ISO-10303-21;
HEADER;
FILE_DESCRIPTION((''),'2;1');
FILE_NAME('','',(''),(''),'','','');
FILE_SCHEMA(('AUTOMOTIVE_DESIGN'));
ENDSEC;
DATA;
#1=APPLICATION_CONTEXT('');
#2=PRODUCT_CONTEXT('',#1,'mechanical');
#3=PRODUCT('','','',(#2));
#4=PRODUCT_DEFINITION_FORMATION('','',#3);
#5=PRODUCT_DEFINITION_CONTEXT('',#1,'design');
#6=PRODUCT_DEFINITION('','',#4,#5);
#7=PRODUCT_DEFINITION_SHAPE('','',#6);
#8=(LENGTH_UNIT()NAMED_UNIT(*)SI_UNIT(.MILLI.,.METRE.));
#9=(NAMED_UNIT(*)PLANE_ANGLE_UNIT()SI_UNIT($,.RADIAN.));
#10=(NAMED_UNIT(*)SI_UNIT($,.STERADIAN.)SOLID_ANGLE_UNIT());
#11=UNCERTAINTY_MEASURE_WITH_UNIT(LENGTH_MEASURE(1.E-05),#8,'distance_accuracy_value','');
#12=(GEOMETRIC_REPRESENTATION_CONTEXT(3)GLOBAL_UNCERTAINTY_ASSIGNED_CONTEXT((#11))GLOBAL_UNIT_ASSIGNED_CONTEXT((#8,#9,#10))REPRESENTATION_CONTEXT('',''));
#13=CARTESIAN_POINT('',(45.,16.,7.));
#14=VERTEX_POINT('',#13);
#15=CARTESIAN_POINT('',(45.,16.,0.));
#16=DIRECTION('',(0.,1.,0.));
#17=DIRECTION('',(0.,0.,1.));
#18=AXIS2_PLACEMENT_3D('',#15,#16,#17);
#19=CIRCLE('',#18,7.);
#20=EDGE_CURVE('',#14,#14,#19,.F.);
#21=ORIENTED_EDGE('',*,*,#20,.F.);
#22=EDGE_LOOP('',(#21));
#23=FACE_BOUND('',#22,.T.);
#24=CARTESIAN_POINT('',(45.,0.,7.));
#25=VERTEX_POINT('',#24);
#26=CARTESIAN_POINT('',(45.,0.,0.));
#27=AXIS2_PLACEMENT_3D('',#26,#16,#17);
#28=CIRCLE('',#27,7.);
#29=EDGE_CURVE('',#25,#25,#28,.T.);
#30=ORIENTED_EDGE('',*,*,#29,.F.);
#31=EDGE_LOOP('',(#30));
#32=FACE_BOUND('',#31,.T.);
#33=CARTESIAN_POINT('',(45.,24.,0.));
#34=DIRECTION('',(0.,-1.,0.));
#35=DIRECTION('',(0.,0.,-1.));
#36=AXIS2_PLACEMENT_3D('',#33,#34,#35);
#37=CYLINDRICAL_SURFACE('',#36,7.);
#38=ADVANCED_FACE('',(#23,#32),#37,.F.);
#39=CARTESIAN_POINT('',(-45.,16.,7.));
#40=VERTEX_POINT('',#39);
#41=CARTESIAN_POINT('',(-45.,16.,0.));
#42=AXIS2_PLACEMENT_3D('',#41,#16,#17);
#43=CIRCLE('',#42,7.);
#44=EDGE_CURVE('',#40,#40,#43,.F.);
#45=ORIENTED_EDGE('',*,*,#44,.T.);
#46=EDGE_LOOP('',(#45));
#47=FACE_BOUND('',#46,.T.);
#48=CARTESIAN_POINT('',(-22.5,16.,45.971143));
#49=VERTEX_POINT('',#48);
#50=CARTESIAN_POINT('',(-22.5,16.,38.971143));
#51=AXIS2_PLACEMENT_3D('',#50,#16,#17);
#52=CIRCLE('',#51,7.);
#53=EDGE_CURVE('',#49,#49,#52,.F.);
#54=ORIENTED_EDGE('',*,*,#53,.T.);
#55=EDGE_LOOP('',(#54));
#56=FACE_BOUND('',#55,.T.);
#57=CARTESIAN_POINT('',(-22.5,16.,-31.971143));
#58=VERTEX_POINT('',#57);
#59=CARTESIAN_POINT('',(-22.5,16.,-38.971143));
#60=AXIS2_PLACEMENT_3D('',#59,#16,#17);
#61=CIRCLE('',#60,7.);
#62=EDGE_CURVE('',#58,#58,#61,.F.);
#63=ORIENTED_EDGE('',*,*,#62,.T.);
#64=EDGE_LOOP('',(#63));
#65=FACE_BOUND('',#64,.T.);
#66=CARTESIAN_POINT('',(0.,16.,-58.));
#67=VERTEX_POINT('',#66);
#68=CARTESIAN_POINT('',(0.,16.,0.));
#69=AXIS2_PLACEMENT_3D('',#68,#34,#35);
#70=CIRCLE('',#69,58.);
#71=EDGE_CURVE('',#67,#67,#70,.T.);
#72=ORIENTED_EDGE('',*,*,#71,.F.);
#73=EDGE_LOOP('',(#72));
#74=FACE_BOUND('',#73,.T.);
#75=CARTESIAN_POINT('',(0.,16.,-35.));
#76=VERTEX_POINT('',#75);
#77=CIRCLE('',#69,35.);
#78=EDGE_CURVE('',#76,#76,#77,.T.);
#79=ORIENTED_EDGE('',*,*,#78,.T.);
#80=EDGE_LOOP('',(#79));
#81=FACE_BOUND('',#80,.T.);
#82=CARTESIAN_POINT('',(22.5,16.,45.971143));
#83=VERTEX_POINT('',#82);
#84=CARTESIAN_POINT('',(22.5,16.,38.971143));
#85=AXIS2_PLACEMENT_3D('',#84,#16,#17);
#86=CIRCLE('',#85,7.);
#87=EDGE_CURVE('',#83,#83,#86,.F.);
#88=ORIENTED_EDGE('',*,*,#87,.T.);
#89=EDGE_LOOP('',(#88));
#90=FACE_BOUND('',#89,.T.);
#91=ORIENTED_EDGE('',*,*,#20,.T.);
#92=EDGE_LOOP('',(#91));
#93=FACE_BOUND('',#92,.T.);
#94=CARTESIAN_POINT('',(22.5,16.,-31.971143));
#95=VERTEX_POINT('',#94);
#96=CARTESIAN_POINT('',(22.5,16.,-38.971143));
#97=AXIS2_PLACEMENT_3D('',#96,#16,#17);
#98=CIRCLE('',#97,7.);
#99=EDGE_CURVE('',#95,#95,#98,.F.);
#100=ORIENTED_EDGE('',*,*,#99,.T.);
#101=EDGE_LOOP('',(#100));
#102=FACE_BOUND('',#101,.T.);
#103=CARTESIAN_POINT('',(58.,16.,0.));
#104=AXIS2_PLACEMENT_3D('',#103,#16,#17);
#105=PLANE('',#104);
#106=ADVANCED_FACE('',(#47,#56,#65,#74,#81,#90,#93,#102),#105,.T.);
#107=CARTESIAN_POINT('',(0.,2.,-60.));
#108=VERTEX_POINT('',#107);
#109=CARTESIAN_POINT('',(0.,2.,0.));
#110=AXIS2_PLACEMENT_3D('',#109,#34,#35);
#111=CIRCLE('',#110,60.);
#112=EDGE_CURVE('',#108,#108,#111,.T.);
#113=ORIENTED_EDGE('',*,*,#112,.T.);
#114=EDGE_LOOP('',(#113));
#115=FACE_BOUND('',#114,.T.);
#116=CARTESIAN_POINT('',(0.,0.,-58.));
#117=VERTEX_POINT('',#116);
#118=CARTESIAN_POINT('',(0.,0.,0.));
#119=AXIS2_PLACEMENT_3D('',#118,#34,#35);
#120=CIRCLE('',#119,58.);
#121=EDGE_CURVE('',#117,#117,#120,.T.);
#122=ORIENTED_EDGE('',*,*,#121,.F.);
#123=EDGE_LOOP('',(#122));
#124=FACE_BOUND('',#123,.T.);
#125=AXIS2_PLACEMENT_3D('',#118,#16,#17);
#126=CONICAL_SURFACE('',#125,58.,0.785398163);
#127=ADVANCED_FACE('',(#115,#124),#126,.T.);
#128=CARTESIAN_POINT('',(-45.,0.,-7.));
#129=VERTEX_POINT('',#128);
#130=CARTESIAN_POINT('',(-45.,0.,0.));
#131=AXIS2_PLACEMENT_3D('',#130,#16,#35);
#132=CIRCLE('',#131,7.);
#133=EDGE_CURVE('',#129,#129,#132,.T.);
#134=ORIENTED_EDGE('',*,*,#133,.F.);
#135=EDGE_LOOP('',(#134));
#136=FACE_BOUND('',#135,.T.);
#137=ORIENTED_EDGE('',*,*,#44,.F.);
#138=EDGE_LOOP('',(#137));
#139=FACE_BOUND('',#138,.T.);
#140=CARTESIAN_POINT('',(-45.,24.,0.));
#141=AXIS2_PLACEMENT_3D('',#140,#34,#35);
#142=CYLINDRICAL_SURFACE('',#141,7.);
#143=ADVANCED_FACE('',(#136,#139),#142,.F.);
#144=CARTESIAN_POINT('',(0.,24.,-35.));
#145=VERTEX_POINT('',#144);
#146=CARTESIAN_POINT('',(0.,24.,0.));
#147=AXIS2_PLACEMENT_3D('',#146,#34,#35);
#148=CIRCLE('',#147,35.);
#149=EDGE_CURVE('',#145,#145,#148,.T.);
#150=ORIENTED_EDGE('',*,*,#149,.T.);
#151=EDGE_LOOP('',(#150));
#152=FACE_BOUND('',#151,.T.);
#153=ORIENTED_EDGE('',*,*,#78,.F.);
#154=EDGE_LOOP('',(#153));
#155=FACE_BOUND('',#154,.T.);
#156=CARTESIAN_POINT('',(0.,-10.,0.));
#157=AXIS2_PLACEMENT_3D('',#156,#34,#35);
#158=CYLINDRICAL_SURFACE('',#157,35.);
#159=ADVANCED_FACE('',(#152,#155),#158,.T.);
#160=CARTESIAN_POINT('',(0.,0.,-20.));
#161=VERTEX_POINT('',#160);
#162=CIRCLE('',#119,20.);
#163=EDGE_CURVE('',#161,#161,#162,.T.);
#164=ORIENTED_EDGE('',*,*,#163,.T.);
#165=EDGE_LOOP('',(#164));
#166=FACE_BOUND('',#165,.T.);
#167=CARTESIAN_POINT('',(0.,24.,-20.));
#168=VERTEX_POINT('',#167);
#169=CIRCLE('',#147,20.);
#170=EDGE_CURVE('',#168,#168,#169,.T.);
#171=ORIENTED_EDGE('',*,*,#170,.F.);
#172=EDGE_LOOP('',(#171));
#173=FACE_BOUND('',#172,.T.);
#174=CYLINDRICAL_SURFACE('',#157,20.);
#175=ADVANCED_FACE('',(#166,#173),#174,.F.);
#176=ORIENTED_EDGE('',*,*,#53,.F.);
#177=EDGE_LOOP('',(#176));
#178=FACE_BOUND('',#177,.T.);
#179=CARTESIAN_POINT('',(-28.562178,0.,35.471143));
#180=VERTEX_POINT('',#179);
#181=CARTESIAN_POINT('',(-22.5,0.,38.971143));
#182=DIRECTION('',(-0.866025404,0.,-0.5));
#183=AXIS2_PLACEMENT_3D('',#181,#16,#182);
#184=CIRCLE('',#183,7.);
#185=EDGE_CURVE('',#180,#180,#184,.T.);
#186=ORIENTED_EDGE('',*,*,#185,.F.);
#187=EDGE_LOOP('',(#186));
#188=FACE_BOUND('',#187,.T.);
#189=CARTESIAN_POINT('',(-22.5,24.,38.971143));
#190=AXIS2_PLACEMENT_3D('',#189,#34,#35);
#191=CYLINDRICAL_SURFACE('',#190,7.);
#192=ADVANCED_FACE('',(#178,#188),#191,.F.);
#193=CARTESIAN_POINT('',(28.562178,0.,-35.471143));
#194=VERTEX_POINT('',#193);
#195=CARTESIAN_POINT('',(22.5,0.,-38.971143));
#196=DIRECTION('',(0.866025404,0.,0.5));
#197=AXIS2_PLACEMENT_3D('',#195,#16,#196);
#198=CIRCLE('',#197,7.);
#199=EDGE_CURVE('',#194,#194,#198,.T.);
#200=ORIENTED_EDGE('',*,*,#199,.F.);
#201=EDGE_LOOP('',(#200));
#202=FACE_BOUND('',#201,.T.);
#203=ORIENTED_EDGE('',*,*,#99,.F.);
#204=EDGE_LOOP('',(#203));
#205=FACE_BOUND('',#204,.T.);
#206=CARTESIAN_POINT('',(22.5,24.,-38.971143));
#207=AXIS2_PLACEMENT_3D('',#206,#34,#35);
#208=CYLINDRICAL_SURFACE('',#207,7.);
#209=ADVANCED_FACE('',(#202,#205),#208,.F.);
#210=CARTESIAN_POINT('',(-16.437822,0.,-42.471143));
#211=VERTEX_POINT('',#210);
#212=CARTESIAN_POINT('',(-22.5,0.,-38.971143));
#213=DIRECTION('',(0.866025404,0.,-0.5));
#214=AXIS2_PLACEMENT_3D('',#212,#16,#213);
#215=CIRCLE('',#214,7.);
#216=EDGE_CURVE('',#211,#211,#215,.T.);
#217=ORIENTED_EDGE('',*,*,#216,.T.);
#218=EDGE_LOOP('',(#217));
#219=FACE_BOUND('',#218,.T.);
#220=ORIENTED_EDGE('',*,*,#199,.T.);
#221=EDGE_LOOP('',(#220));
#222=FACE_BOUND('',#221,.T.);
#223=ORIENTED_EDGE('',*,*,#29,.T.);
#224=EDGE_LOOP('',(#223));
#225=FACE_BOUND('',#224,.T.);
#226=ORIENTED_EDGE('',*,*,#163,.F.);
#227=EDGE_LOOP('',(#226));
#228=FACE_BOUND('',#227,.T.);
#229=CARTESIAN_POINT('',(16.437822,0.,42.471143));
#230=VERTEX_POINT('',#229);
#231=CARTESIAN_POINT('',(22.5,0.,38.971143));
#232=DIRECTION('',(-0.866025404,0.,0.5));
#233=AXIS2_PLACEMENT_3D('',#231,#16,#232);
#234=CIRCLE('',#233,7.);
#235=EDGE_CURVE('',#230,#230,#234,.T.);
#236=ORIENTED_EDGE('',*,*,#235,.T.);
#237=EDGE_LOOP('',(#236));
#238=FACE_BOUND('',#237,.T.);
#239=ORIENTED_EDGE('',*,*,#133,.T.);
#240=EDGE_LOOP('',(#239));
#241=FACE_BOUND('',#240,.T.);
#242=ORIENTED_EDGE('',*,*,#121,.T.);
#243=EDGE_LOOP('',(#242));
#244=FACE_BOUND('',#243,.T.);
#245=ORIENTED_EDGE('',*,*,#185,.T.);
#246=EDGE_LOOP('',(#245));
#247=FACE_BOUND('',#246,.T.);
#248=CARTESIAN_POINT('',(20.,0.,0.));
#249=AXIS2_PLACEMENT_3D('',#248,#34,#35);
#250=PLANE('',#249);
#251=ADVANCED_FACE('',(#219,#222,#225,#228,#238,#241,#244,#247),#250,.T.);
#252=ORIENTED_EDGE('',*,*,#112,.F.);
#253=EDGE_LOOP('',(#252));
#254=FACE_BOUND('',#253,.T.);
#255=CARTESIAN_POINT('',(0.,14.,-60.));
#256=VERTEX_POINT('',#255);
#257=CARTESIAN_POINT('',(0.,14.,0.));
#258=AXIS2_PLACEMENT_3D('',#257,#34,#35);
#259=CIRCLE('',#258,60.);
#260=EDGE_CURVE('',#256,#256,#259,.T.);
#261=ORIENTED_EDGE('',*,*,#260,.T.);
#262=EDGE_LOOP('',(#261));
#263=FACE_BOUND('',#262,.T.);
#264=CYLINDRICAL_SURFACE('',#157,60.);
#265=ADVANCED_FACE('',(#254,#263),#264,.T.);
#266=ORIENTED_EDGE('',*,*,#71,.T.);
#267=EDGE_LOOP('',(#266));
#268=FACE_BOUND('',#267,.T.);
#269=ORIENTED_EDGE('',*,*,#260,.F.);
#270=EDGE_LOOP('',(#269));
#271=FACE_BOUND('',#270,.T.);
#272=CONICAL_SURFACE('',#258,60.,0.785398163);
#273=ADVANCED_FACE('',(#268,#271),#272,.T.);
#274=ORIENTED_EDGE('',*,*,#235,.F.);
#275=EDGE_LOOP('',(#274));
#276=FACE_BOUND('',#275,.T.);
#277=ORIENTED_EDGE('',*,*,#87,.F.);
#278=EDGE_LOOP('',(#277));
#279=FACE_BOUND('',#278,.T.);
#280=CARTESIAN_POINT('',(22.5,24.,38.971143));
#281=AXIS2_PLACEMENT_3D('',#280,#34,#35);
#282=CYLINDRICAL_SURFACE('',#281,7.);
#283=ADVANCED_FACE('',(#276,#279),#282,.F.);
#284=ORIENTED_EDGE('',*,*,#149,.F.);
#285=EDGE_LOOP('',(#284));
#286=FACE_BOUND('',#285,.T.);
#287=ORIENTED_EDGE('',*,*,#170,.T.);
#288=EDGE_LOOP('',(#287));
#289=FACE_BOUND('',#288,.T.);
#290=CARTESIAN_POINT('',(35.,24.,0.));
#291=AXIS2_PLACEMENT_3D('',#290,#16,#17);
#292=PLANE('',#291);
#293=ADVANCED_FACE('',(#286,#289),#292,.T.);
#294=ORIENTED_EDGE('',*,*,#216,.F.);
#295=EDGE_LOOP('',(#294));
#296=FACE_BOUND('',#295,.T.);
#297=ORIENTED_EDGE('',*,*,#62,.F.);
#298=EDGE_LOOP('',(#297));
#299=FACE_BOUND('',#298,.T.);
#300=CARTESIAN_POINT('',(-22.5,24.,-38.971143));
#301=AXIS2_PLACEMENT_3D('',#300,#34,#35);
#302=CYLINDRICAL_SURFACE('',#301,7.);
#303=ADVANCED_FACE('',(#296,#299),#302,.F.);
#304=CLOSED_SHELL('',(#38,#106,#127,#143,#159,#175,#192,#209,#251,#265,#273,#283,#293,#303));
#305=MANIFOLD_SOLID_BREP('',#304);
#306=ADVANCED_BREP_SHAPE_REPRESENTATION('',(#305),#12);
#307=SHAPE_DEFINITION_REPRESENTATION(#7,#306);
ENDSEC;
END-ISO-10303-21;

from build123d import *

# Parameters (mm, degrees)
SKETCH_2_R               = 7
CUT_EXTRUDE_1_DEPTH      = 89.18163074
PATTERN_CIRCULAR_1_COUNT = 6


with BuildPart() as part:
    # 草图1 → 旋转1 (revolve)
    with BuildSketch(Plane.XY, mode=Mode.PRIVATE) as revolve_1_sk:
        Polygon((20, 0), (58, 0), (60, 2), (60, 14), (58, 16), (35, 16), (35, 24), (20, 24), align=None)
    revolve(revolve_1_sk.sketch.rotate(Axis((0, -10, 0), (0, 1, 0)), 90), axis=Axis((0, -10, 0), (0, 1, 0)))

    # 草图2 → 切除-拉伸1 (cut, through all)
    with BuildSketch(Plane(origin=(0, 0, 0), x_dir=(1, 0, 0), z_dir=(0, 1, 0))):
        with Locations(Location((45, 0, 0), (0, 0, 270))):
            Circle(SKETCH_2_R)
    cut_extrude_1 = extrude(amount=CUT_EXTRUDE_1_DEPTH, mode=Mode.SUBTRACT)

    # 阵列(圆周)1: 切除-拉伸1 ×6 about axis
    pattern_circular_1_axis = Axis((0, 0, 0), (0, 1, 0))
    for i in range(1, PATTERN_CIRCULAR_1_COUNT):
        add(cut_extrude_1.rotate(pattern_circular_1_axis, i * 360 / PATTERN_CIRCULAR_1_COUNT), mode=Mode.SUBTRACT)


solid = part.part
